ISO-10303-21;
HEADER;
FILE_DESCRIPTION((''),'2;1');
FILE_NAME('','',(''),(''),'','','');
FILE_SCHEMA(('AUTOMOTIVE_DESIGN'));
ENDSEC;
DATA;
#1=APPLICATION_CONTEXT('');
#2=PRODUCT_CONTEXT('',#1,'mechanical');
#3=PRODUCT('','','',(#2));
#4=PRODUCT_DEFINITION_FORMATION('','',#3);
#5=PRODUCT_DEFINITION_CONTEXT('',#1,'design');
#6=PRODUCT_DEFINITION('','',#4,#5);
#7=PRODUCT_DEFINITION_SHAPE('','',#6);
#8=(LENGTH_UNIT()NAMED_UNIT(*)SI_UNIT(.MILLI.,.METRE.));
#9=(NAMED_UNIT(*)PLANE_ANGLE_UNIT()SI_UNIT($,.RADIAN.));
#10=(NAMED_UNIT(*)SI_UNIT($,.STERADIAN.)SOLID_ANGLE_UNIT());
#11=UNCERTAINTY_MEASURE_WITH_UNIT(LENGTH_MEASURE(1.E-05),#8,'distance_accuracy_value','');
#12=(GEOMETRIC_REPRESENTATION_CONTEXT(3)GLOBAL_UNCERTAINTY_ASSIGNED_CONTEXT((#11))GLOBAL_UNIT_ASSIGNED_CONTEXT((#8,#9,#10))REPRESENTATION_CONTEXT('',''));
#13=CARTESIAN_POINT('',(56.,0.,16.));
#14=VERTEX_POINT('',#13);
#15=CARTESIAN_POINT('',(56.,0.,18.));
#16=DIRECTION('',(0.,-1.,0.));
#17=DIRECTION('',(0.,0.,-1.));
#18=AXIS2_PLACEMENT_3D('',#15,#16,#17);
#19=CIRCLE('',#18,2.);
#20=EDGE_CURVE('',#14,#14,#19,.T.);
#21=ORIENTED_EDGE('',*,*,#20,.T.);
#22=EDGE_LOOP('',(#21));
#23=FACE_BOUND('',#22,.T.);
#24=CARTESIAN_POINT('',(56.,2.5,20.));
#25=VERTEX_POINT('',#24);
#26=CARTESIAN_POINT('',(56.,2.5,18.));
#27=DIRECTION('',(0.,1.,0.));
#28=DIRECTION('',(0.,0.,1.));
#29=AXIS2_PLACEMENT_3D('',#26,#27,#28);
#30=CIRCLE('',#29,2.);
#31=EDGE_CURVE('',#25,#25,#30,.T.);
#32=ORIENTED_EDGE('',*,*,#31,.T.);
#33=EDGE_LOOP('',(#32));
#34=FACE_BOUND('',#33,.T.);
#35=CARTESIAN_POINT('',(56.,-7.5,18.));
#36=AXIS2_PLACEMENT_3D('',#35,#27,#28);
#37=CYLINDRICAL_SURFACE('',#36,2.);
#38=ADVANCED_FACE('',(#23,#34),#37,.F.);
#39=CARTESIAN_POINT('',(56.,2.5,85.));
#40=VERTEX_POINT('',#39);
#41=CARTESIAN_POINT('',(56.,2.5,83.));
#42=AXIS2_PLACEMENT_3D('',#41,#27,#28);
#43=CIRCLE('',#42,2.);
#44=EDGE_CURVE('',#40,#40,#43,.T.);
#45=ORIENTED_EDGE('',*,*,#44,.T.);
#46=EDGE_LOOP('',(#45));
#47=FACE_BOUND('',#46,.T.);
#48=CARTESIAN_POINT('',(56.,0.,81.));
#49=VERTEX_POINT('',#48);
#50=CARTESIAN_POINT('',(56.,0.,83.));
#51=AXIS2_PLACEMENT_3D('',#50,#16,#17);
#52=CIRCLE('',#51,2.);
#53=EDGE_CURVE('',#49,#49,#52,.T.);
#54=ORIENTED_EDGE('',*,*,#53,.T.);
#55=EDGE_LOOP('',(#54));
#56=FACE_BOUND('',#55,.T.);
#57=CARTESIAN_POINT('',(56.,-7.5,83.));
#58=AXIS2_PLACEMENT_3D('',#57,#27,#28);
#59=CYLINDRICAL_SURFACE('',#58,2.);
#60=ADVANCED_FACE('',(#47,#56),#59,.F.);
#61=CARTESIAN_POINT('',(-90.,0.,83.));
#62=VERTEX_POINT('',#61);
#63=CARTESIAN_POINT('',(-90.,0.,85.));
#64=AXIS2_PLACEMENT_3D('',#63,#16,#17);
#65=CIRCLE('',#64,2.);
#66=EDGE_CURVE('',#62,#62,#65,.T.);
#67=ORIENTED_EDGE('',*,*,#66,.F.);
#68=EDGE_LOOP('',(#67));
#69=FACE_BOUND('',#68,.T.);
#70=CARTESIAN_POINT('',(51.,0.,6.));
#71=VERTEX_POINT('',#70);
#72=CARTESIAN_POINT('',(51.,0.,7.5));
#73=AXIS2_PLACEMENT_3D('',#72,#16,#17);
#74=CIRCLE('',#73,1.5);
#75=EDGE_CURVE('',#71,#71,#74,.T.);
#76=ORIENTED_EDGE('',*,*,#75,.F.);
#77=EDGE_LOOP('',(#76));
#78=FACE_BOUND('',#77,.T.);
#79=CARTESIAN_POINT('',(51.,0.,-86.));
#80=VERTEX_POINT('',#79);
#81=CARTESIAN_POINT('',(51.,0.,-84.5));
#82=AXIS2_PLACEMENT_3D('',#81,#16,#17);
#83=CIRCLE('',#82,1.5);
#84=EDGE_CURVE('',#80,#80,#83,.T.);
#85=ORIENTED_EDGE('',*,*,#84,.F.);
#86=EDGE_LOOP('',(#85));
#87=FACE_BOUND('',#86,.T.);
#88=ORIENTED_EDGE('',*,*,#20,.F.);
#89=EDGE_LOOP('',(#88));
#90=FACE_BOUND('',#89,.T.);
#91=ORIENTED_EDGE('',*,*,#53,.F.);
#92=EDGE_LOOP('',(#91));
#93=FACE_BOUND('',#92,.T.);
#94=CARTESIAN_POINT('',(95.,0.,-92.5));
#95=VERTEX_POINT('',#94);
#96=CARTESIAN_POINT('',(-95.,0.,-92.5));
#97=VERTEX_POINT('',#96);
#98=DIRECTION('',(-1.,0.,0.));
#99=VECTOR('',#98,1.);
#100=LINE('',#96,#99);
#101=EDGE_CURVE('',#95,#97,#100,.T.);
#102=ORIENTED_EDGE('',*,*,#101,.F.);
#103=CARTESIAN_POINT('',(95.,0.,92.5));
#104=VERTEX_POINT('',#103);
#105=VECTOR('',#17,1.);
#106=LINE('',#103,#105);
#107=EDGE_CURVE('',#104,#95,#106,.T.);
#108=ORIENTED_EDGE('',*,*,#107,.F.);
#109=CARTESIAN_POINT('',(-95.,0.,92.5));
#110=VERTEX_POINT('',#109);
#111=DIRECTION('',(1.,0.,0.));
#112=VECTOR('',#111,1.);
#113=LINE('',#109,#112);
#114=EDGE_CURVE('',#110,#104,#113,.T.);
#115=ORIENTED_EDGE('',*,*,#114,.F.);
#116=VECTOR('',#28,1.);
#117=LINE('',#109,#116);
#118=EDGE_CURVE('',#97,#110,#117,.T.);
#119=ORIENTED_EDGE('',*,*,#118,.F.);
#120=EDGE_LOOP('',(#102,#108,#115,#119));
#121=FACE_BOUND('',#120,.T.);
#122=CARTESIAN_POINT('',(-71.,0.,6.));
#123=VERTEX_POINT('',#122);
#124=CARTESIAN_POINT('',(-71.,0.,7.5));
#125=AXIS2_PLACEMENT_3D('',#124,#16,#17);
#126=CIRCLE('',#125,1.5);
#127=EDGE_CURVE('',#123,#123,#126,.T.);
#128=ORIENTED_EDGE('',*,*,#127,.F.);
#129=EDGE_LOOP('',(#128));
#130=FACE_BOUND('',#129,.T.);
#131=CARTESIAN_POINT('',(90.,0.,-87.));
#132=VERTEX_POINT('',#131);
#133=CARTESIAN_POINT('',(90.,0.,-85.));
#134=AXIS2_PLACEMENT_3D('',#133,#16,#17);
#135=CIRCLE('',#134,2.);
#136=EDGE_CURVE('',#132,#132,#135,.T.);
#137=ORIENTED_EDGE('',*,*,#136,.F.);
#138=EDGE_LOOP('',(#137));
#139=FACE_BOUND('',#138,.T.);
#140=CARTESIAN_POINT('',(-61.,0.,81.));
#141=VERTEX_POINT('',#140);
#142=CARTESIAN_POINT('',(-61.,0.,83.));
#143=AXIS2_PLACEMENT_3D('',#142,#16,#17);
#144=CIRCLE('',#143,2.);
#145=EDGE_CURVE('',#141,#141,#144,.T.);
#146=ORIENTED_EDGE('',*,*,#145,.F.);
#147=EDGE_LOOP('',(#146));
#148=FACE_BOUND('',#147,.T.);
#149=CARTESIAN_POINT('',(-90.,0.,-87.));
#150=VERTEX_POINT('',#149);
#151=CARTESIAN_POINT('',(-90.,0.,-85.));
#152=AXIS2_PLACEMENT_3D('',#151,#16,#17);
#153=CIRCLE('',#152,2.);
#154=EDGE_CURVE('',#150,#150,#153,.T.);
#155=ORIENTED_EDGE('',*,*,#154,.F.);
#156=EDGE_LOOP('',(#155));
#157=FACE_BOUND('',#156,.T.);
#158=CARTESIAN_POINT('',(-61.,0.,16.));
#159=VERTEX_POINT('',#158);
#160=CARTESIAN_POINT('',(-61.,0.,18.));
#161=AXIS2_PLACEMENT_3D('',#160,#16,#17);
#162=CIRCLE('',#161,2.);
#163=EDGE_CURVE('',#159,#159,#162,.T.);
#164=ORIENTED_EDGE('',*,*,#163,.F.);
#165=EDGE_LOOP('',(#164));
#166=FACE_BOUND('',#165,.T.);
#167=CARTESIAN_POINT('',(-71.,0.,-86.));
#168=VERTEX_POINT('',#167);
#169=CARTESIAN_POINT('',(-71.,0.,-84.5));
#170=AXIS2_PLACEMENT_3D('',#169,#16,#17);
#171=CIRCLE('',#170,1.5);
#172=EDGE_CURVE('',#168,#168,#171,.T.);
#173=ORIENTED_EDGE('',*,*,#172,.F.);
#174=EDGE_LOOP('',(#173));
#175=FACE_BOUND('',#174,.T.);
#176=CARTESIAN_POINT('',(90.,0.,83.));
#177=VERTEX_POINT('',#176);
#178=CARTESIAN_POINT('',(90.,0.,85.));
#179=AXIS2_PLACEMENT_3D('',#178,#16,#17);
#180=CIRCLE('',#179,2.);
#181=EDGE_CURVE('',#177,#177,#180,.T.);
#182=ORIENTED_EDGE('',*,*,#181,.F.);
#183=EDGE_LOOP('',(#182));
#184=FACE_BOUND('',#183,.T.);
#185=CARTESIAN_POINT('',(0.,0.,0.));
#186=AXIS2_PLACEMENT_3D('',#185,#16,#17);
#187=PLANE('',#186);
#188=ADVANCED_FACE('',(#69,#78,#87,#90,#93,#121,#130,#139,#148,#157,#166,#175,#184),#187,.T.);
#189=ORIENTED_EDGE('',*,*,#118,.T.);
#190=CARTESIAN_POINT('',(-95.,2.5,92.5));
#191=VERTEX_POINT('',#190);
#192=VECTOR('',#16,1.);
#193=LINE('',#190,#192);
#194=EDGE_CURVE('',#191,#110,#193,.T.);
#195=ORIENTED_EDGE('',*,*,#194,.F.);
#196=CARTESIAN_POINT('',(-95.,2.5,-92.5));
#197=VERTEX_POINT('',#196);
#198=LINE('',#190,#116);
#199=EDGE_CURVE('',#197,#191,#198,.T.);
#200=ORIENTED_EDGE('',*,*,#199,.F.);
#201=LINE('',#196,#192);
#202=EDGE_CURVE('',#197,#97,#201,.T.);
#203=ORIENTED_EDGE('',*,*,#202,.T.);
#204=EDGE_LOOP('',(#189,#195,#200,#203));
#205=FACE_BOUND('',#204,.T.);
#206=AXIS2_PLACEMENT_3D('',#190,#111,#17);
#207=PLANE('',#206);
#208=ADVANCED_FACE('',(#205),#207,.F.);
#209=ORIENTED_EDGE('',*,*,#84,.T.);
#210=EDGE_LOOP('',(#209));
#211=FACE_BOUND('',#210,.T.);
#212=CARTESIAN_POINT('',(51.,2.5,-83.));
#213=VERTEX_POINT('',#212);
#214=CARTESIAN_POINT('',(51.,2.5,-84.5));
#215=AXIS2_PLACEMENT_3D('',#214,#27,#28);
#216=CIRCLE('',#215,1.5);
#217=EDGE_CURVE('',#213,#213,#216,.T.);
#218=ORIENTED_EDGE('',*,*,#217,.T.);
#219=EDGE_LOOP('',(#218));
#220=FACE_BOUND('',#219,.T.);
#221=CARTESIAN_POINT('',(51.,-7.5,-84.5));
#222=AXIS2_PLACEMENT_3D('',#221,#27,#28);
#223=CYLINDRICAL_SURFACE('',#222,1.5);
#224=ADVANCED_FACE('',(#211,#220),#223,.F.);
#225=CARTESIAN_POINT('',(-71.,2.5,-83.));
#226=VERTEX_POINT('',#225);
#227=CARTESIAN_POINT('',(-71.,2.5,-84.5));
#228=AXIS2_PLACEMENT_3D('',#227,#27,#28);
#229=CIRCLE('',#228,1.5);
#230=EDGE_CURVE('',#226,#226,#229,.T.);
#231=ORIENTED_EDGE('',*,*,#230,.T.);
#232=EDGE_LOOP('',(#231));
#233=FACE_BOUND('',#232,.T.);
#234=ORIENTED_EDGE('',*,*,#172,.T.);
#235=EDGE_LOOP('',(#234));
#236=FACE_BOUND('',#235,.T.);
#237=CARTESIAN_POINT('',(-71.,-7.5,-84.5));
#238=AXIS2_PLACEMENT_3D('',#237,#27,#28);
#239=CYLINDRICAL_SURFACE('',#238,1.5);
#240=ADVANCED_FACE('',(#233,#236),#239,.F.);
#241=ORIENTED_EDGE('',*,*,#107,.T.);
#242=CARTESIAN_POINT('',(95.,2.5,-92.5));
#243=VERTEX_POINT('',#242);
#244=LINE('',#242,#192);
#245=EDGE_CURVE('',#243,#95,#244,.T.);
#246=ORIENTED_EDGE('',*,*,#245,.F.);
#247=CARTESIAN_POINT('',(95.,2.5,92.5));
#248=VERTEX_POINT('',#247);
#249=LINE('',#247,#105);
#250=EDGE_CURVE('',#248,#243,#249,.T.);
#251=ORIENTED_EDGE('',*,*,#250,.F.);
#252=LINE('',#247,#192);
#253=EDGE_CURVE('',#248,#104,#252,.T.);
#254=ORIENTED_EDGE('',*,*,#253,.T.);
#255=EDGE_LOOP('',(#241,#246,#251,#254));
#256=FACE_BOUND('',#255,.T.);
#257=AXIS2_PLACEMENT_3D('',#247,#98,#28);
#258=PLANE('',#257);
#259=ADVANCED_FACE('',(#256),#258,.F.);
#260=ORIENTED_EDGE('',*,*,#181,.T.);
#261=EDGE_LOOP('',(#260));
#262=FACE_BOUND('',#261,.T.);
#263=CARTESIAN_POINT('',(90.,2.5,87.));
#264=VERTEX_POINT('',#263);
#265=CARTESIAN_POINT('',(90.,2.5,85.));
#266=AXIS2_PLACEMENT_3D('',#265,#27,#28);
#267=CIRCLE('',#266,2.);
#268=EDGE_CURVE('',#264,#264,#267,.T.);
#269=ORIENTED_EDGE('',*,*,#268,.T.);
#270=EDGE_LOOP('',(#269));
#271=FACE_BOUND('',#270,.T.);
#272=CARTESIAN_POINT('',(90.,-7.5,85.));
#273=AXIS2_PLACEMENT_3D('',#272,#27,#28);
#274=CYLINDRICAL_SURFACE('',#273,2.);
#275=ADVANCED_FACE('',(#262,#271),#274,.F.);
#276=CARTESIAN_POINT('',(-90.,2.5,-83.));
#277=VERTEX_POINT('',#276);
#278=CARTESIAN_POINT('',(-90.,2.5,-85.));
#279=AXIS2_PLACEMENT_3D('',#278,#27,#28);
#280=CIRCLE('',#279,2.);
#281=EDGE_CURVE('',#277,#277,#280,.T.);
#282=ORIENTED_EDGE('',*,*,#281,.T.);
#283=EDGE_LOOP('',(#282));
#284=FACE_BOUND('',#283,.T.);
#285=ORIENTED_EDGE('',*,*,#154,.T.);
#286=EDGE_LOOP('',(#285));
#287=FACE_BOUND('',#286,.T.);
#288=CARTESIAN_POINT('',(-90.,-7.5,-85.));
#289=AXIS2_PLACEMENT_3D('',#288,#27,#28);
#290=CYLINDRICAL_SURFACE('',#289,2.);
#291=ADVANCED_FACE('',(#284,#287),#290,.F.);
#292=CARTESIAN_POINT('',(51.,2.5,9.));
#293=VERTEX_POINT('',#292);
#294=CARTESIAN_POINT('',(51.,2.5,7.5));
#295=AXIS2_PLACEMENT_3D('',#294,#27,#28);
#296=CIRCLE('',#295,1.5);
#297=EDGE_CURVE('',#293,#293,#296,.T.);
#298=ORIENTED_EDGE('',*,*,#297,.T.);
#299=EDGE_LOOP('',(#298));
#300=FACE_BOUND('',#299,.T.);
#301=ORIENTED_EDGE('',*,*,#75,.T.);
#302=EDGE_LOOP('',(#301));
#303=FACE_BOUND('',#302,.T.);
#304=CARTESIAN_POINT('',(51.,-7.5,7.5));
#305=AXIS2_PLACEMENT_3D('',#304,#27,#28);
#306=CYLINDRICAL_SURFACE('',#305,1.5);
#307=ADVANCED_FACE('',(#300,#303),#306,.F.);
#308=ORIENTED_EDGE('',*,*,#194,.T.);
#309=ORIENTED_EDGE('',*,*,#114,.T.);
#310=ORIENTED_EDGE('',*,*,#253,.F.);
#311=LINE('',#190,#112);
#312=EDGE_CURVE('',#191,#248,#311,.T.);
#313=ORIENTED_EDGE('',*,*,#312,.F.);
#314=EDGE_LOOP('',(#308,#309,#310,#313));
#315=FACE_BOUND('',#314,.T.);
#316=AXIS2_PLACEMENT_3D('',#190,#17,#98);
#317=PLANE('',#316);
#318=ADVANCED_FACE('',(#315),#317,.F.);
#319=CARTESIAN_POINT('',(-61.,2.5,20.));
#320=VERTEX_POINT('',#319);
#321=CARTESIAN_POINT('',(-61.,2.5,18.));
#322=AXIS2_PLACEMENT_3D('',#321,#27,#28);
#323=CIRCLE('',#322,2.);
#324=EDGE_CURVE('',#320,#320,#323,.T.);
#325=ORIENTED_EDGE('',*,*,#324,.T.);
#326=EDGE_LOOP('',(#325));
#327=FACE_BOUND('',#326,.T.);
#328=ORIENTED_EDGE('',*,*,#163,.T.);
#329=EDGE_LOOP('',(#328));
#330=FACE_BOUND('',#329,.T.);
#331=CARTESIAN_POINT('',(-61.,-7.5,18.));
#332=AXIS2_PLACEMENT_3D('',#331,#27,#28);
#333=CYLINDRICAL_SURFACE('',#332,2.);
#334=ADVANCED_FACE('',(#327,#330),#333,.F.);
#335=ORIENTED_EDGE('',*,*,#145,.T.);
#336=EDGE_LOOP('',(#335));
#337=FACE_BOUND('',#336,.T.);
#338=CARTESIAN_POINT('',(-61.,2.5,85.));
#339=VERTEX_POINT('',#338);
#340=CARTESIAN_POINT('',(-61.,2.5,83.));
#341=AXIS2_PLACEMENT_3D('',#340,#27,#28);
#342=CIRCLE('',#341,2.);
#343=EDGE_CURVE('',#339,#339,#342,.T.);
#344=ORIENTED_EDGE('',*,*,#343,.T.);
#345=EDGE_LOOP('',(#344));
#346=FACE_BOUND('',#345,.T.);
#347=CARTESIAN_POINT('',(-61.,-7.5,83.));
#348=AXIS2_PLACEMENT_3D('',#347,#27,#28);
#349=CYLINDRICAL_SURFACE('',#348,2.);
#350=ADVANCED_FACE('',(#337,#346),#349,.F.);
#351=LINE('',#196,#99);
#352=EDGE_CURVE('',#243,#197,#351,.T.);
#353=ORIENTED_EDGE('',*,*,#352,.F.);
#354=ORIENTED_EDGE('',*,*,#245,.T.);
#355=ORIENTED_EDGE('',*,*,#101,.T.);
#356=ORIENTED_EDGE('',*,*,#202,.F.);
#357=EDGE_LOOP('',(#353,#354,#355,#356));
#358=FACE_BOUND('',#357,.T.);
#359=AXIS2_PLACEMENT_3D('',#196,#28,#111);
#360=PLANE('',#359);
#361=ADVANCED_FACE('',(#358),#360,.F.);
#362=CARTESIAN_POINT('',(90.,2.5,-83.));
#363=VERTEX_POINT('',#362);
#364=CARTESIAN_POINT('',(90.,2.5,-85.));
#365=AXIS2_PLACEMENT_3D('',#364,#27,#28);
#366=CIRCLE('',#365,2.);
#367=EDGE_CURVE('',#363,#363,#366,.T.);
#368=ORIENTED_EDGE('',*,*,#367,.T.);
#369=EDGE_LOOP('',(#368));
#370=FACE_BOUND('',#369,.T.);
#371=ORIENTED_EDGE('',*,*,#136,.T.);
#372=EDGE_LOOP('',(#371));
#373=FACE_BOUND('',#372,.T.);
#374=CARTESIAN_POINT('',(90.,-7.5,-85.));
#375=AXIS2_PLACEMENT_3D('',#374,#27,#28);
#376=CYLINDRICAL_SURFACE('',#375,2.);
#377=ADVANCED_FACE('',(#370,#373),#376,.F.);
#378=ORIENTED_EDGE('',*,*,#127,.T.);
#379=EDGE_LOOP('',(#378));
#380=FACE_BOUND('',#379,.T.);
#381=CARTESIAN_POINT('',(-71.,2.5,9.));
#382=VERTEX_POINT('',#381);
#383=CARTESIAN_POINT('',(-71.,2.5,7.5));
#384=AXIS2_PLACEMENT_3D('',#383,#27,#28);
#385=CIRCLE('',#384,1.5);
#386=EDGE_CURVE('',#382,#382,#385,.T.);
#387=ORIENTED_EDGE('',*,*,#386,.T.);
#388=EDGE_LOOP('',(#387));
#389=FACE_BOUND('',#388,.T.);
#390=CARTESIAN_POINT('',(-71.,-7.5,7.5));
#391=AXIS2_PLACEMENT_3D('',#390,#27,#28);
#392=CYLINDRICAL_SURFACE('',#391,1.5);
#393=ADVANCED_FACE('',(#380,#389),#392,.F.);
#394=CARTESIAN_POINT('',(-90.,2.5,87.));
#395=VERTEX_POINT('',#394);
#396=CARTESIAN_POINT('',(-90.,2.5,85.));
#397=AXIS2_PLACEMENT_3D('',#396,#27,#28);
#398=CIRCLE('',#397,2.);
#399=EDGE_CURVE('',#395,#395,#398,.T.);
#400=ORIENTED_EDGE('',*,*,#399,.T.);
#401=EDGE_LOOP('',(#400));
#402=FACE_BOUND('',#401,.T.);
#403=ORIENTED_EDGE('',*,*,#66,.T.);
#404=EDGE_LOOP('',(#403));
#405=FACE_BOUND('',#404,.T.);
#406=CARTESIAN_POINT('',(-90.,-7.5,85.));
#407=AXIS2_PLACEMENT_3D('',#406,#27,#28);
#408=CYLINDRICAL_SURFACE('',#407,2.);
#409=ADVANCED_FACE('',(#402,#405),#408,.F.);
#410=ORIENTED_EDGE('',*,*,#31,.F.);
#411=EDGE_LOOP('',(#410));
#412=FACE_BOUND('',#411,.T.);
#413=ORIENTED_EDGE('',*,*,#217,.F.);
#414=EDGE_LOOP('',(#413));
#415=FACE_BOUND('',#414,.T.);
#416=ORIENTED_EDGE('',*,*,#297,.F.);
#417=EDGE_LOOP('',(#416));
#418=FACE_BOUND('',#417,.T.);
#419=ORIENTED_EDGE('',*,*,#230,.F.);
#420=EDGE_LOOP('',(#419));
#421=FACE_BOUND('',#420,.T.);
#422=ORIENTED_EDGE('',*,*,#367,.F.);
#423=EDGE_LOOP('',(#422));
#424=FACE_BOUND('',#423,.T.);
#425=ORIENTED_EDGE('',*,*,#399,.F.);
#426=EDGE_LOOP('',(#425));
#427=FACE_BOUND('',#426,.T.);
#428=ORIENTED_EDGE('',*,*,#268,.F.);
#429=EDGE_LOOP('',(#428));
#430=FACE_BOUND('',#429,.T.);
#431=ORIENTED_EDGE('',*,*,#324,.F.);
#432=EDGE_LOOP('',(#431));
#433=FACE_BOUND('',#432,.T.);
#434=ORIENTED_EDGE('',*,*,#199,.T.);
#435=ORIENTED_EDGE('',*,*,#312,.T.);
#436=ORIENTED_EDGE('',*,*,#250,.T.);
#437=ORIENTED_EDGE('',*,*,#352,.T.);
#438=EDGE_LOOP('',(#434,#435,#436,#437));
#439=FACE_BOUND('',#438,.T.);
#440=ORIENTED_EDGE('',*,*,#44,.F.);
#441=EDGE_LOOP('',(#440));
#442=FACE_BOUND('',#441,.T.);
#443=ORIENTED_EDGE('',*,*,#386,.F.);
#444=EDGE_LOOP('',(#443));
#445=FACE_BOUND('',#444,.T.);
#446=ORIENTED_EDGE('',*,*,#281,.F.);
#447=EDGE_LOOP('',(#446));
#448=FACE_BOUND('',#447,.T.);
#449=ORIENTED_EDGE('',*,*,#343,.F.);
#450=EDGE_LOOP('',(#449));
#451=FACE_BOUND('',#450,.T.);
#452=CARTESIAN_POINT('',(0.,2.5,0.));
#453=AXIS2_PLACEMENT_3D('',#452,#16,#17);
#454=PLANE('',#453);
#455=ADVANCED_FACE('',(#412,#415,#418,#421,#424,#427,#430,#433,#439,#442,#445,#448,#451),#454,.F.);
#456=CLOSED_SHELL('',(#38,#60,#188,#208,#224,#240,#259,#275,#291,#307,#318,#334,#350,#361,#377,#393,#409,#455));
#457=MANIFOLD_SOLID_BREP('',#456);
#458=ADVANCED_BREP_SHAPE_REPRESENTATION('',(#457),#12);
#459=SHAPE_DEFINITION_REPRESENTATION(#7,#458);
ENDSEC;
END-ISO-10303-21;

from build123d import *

# Parameters (mm, degrees)
SKETCH1_W           = 190
SKETCH1_H           = 185
BOSS_EXTRUDE1_DEPTH = 2.5
SKETCH3_R           = 2
CUT_EXTRUDE2_DEPTH  = 10
SKETCH4_R           = 2
CUT_EXTRUDE3_DEPTH  = 10
SKETCH5_R           = 1.5
CUT_EXTRUDE4_DEPTH  = 10


with BuildPart() as part:
    # Sketch1 → Boss-Extrude1 (new body)
    with BuildSketch(Plane(origin=(0, 0, 0), x_dir=(1, 0, 0), z_dir=(0, 1, 0))):
        Rectangle(SKETCH1_W, SKETCH1_H)
    extrude(amount=BOSS_EXTRUDE1_DEPTH)

    # Sketch3 → Cut-Extrude2 (cut)
    with BuildSketch(Plane(origin=(0, 2.5, 0), x_dir=(1, 0, 0), z_dir=(0, 1, 0))):
        with Locations(Location((90, 85, 0), (0, 0, 270))):
            Circle(SKETCH3_R)
        with Locations(Location((-90, 85, 0), (0, 0, 270))):
            Circle(SKETCH3_R)
        with Locations(Location((-90, -85, 0), (0, 0, 270))):
            Circle(SKETCH3_R)
        with Locations(Location((90, -85, 0), (0, 0, 270))):
            Circle(SKETCH3_R)
    extrude(amount=-CUT_EXTRUDE2_DEPTH, mode=Mode.SUBTRACT)

    # Sketch4 → Cut-Extrude3 (cut)
    with BuildSketch(Plane(origin=(0, 2.5, 0), x_dir=(1, 0, 0), z_dir=(0, 1, 0))):
        with Locations(Location((56, -83, 0), (0, 0, 270))):
            Circle(SKETCH4_R)
        with Locations(Location((-61, -83, 0), (0, 0, 270))):
            Circle(SKETCH4_R)
        with Locations(Location((-61, -18, 0), (0, 0, 270))):
            Circle(SKETCH4_R)
        with Locations(Location((56, -18, 0), (0, 0, 270))):
            Circle(SKETCH4_R)
    extrude(amount=-CUT_EXTRUDE3_DEPTH, mode=Mode.SUBTRACT)

    # Sketch5 → Cut-Extrude4 (cut)
    with BuildSketch(Plane(origin=(0, 2.5, 0), x_dir=(1, 0, 0), z_dir=(0, 1, 0))):
        with Locations(Location((-71, 84.5, 0), (0, 0, 270))):
            Circle(SKETCH5_R)
        with Locations(Location((51, 84.5, 0), (0, 0, 270))):
            Circle(SKETCH5_R)
        with Locations(Location((51, -7.5, 0), (0, 0, 270))):
            Circle(SKETCH5_R)
        with Locations(Location((-71, -7.5, 0), (0, 0, 270))):
            Circle(SKETCH5_R)
    extrude(amount=-CUT_EXTRUDE4_DEPTH, mode=Mode.SUBTRACT)


solid = part.part
